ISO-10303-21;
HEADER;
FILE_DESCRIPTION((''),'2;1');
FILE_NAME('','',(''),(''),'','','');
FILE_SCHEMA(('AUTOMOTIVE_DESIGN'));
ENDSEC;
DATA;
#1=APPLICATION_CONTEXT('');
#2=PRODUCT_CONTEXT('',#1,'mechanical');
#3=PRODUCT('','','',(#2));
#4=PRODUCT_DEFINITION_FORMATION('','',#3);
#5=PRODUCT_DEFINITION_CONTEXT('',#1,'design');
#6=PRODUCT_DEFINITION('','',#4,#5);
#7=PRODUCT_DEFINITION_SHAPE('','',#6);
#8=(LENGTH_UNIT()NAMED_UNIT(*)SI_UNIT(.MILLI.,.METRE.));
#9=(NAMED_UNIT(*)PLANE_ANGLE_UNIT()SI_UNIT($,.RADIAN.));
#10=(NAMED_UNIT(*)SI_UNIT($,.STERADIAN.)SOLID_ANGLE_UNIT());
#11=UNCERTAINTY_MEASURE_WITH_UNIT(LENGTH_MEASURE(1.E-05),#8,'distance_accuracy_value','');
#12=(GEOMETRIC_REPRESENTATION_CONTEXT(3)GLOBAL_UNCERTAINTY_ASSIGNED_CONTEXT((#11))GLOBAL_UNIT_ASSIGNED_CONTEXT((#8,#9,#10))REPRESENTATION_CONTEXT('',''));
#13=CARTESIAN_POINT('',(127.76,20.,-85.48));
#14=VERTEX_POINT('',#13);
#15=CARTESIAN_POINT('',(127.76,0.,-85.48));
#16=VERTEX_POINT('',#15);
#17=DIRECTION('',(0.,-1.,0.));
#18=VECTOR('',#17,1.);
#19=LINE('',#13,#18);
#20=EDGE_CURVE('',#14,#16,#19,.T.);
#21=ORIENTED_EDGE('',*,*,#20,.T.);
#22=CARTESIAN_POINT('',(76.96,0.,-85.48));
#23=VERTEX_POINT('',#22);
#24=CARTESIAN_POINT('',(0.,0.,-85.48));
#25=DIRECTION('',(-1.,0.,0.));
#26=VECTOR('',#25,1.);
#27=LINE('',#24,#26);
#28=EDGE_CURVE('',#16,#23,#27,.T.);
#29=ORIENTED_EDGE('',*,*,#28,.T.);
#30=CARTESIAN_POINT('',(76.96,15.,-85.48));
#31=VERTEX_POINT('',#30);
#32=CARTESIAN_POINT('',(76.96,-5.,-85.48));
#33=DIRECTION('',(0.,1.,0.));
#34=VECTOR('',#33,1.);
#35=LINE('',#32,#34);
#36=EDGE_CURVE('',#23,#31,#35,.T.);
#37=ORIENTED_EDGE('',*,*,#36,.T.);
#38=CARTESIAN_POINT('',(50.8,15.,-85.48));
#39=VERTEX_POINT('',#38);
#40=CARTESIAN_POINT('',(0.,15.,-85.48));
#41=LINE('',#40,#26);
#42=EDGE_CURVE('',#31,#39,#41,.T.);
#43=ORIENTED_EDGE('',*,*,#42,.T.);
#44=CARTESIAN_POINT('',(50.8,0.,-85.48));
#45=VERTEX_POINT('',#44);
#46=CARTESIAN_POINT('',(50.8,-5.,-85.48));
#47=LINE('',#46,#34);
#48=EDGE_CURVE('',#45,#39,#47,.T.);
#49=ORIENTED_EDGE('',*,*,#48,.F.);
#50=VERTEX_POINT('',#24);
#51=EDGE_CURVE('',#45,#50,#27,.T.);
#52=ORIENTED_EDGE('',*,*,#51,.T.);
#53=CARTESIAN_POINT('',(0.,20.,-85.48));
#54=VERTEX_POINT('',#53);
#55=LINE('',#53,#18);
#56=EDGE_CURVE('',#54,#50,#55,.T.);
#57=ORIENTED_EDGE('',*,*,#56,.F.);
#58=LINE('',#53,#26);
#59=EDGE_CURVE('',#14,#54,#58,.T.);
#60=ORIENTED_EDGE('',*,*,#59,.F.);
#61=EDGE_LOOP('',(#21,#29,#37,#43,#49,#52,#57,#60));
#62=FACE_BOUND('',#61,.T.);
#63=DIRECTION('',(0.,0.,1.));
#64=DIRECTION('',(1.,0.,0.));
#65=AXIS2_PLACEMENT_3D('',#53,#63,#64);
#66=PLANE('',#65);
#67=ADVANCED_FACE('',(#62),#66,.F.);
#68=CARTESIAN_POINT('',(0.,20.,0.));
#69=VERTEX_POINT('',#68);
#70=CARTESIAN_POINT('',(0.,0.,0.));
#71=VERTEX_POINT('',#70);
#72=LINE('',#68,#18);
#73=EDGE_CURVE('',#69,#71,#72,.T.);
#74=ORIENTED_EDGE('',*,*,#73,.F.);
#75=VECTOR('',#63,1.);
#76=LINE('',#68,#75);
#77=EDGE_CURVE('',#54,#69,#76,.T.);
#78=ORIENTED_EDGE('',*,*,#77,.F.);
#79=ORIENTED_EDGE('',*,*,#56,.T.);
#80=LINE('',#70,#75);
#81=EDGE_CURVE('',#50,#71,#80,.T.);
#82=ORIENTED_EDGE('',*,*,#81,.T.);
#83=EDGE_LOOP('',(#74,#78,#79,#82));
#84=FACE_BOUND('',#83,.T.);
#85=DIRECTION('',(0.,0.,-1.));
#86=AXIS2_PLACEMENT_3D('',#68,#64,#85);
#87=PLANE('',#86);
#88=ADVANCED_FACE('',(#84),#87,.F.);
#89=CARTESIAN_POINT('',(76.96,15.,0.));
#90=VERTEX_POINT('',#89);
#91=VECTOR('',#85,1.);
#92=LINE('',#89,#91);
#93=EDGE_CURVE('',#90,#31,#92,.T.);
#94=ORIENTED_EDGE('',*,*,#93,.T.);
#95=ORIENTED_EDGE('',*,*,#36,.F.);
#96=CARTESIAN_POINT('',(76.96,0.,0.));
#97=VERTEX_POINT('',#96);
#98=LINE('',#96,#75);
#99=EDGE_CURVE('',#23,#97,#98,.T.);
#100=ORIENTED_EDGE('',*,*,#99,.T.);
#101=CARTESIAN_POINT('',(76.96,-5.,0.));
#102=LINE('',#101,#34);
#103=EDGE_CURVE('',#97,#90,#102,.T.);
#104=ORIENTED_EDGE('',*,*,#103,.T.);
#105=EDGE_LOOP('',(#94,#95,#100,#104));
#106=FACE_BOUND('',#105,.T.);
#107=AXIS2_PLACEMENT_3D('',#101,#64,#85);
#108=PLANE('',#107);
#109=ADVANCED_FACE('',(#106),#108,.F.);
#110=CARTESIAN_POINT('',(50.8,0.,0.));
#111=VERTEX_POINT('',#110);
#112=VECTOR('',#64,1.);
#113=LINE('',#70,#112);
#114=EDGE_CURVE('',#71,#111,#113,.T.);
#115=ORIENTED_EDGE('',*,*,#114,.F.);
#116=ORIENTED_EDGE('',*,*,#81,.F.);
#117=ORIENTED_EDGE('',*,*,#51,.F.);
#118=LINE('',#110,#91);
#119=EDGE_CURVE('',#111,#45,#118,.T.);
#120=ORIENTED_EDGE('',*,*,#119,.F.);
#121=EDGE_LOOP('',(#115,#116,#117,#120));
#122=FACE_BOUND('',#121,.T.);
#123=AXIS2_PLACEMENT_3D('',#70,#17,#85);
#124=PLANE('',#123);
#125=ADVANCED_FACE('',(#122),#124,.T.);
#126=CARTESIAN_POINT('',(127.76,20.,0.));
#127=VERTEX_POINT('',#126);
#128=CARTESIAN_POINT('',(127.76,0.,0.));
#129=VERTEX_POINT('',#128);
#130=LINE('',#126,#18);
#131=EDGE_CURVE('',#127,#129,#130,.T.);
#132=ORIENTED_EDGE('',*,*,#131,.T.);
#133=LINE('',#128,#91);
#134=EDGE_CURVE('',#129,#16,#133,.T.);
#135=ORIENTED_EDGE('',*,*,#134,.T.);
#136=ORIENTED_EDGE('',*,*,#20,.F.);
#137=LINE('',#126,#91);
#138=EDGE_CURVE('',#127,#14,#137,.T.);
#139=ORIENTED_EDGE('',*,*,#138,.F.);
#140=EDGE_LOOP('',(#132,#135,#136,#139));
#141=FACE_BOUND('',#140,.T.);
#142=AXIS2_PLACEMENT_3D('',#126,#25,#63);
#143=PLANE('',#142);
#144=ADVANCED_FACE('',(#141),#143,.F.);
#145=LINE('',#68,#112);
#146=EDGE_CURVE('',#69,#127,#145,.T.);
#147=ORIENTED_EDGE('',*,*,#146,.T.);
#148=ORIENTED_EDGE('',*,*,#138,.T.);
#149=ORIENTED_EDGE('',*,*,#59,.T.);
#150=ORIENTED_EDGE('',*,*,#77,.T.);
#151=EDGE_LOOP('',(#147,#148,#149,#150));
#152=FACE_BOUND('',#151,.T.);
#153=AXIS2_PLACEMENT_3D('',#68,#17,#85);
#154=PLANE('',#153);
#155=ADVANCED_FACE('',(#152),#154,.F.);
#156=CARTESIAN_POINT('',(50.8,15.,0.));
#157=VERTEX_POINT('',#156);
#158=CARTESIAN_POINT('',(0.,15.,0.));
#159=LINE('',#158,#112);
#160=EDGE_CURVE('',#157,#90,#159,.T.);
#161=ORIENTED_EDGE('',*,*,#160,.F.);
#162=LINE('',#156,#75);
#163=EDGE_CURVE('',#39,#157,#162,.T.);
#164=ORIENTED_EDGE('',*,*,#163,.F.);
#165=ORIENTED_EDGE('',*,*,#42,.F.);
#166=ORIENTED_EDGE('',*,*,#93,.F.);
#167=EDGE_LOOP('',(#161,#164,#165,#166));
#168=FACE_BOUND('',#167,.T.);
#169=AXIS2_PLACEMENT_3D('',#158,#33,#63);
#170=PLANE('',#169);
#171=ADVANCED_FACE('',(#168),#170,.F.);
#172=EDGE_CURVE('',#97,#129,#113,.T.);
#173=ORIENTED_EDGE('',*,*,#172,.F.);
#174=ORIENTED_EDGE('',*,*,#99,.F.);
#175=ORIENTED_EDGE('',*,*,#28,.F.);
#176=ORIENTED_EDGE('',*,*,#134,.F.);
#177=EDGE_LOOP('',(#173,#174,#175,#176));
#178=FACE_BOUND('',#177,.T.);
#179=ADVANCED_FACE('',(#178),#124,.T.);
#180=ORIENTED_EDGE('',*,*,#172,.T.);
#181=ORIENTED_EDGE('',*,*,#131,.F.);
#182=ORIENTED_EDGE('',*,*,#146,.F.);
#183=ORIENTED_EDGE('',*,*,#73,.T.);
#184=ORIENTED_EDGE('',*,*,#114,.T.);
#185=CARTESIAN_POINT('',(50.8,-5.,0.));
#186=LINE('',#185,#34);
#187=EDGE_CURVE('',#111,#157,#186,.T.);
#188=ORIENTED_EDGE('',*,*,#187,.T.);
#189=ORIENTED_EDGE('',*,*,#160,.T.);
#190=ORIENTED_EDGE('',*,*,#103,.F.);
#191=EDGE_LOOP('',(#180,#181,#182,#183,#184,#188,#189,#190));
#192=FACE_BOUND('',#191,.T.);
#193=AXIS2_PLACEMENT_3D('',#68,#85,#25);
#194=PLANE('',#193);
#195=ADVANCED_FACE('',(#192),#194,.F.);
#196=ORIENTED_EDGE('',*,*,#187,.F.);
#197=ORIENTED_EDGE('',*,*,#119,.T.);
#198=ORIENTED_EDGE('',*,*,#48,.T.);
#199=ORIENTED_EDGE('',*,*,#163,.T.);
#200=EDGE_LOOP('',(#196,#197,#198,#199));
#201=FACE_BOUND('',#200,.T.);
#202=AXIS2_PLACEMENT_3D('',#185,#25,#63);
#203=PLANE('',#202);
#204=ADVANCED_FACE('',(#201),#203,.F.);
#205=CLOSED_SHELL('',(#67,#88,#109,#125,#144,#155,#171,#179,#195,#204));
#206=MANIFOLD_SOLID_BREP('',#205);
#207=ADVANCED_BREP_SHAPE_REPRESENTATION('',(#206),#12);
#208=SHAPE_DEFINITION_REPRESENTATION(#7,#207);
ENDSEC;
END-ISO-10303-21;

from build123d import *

# Parameters (mm, degrees)
SKETCH1_W           = 127.76
SKETCH1_H           = 85.48
BOSS_EXTRUDE1_DEPTH = 20
CUT_EXTRUDE1_START  = -5
CUT_EXTRUDE1_DEPTH  = 20


with BuildPart() as part:
    # Sketch1 → Boss-Extrude1 (new body)
    with BuildSketch(Plane(origin=(0, 0, 0), x_dir=(1, 0, 0), z_dir=(0, 1, 0))):
        with Locations((63.88, 42.74)):
            Rectangle(SKETCH1_W, SKETCH1_H)
    extrude(amount=BOSS_EXTRUDE1_DEPTH)

    # Sketch2 → Cut-Extrude1 (cut)
    with BuildSketch(Plane(origin=(0, 20, 0), x_dir=(1, 0, 0), z_dir=(0, 1, 0)).offset(CUT_EXTRUDE1_START)):
        Polygon((76.96, 85.48), (50.8, 85.48), (50.8, 12.7), (50.8, 0), (76.96, 0), (76.96, 72.78), align=None)
    extrude(amount=-CUT_EXTRUDE1_DEPTH, mode=Mode.SUBTRACT)


solid = part.part
